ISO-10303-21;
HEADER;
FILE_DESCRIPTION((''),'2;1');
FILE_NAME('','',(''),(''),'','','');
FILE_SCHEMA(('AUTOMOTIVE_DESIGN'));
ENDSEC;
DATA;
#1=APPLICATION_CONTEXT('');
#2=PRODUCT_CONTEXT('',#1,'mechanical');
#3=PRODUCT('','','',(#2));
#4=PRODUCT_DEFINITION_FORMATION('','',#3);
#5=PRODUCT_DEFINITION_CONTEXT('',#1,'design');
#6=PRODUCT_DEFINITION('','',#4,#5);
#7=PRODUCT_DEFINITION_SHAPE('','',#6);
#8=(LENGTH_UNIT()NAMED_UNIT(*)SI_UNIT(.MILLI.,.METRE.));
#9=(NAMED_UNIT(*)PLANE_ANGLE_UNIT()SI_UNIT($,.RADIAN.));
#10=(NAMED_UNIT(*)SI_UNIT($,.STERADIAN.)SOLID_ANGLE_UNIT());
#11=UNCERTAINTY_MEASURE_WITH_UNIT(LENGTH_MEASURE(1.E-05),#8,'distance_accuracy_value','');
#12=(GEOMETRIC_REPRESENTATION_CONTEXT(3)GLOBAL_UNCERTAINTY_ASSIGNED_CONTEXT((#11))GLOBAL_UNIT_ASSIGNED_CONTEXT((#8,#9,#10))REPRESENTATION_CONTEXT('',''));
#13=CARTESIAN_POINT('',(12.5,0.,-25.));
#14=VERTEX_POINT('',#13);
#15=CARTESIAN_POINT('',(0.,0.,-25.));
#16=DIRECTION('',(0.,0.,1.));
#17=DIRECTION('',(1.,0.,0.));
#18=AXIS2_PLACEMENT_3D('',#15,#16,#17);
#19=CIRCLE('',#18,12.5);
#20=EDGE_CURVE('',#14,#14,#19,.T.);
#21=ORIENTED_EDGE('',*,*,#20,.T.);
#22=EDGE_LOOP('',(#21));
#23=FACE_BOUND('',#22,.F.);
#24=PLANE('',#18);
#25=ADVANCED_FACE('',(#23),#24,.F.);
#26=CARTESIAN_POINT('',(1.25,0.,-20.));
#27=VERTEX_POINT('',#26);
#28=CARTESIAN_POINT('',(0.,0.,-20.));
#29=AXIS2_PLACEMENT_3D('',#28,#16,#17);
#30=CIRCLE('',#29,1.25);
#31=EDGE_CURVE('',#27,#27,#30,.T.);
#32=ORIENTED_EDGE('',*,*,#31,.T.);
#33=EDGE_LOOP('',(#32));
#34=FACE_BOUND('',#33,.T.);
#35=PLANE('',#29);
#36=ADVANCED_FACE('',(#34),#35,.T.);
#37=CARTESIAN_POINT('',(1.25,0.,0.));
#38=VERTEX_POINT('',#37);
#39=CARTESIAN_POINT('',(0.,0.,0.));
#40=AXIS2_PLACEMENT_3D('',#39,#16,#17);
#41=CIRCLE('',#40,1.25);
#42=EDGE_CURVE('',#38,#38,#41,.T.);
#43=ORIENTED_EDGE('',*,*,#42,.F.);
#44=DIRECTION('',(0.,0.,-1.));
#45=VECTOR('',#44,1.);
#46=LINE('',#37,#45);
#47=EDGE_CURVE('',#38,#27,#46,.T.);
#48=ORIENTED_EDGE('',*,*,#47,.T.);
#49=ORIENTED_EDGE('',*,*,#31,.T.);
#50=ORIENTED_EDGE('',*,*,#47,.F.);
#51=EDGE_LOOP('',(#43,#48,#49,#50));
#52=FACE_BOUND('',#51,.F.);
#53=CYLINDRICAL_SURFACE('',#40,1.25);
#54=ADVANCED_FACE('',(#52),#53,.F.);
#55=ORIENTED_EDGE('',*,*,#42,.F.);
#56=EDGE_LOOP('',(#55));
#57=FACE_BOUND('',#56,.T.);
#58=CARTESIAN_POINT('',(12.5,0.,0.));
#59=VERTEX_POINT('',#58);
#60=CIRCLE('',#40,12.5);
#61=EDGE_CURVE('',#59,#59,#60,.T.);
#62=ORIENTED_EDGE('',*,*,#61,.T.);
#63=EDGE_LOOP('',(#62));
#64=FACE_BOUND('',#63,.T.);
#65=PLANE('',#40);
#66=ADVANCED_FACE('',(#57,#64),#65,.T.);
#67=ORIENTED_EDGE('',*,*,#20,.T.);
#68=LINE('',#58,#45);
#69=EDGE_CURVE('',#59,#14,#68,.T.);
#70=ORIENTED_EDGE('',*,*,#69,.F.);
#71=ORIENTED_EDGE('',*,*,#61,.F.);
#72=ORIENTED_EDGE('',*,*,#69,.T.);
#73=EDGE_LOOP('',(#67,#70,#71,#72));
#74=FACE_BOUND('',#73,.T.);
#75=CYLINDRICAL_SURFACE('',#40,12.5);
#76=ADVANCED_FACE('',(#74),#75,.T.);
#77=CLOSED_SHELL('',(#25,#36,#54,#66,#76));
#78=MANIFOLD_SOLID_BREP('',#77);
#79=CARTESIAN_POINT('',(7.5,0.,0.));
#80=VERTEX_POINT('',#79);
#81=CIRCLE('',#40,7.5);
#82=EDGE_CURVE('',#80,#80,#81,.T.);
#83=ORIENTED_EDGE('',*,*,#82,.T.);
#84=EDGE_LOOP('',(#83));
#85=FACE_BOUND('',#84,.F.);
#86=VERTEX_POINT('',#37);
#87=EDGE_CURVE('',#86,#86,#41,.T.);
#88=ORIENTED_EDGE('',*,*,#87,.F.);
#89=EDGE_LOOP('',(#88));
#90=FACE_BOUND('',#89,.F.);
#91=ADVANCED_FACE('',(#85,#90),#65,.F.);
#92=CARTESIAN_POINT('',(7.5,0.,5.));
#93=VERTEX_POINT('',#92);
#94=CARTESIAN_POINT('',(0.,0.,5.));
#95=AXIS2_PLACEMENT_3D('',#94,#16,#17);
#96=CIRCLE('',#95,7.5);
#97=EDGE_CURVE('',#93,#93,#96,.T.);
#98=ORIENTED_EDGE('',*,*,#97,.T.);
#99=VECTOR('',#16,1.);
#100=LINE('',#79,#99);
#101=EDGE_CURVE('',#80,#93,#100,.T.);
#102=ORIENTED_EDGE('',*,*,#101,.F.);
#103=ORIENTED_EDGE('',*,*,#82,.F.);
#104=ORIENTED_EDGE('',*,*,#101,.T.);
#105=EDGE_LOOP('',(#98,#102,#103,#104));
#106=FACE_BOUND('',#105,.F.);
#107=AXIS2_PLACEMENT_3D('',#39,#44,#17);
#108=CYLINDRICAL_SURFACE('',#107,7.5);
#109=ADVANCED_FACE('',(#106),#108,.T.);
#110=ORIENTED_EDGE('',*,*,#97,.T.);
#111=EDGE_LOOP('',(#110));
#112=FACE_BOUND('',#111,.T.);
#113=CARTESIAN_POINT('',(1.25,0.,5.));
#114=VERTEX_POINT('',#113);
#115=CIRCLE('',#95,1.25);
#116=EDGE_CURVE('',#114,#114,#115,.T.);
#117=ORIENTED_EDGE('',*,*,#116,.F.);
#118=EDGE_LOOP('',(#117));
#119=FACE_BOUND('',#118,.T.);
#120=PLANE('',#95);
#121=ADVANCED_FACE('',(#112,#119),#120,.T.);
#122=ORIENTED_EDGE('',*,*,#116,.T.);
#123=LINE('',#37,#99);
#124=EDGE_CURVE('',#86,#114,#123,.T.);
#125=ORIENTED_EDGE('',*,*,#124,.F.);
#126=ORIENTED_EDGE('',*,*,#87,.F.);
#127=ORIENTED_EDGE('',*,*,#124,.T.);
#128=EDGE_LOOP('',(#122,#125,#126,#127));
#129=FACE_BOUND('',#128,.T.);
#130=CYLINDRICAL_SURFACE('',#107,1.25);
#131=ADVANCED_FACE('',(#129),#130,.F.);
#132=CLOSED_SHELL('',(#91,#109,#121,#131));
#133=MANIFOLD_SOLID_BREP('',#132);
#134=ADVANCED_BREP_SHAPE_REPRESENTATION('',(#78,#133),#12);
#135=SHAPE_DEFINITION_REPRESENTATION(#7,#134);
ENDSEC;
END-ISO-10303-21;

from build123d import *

# Parameters (mm, degrees)
F0_R     = 12.5
F0_R_2   = 7.5
F0_R_3   = 1.25
F1_DEPTH = 25
F2_DEPTH = 20
F3_DEPTH = 5


with BuildPart() as f1:
    # F0 (on Top) → F1 (new body)
    with BuildSketch(Plane.XY):
        Circle(F0_R)
        Circle(F0_R_2, mode=Mode.SUBTRACT)
        Circle(F0_R_2)
        Circle(F0_R_3, mode=Mode.SUBTRACT)
        Circle(F0_R_3)
    extrude(amount=-F1_DEPTH)

    # F0 (on Top) → F2 (cut)
    with BuildSketch(Plane.XY):
        Circle(F0_R_3)
    extrude(amount=-F2_DEPTH, mode=Mode.SUBTRACT)


with BuildPart() as f3:
    # F0 (on Top) → F3 (new body)
    with BuildSketch(Plane.XY):
        Circle(F0_R_2)
        Circle(F0_R_3, mode=Mode.SUBTRACT)
    extrude(amount=F3_DEPTH)


solid = Compound([f1.part, f3.part])
